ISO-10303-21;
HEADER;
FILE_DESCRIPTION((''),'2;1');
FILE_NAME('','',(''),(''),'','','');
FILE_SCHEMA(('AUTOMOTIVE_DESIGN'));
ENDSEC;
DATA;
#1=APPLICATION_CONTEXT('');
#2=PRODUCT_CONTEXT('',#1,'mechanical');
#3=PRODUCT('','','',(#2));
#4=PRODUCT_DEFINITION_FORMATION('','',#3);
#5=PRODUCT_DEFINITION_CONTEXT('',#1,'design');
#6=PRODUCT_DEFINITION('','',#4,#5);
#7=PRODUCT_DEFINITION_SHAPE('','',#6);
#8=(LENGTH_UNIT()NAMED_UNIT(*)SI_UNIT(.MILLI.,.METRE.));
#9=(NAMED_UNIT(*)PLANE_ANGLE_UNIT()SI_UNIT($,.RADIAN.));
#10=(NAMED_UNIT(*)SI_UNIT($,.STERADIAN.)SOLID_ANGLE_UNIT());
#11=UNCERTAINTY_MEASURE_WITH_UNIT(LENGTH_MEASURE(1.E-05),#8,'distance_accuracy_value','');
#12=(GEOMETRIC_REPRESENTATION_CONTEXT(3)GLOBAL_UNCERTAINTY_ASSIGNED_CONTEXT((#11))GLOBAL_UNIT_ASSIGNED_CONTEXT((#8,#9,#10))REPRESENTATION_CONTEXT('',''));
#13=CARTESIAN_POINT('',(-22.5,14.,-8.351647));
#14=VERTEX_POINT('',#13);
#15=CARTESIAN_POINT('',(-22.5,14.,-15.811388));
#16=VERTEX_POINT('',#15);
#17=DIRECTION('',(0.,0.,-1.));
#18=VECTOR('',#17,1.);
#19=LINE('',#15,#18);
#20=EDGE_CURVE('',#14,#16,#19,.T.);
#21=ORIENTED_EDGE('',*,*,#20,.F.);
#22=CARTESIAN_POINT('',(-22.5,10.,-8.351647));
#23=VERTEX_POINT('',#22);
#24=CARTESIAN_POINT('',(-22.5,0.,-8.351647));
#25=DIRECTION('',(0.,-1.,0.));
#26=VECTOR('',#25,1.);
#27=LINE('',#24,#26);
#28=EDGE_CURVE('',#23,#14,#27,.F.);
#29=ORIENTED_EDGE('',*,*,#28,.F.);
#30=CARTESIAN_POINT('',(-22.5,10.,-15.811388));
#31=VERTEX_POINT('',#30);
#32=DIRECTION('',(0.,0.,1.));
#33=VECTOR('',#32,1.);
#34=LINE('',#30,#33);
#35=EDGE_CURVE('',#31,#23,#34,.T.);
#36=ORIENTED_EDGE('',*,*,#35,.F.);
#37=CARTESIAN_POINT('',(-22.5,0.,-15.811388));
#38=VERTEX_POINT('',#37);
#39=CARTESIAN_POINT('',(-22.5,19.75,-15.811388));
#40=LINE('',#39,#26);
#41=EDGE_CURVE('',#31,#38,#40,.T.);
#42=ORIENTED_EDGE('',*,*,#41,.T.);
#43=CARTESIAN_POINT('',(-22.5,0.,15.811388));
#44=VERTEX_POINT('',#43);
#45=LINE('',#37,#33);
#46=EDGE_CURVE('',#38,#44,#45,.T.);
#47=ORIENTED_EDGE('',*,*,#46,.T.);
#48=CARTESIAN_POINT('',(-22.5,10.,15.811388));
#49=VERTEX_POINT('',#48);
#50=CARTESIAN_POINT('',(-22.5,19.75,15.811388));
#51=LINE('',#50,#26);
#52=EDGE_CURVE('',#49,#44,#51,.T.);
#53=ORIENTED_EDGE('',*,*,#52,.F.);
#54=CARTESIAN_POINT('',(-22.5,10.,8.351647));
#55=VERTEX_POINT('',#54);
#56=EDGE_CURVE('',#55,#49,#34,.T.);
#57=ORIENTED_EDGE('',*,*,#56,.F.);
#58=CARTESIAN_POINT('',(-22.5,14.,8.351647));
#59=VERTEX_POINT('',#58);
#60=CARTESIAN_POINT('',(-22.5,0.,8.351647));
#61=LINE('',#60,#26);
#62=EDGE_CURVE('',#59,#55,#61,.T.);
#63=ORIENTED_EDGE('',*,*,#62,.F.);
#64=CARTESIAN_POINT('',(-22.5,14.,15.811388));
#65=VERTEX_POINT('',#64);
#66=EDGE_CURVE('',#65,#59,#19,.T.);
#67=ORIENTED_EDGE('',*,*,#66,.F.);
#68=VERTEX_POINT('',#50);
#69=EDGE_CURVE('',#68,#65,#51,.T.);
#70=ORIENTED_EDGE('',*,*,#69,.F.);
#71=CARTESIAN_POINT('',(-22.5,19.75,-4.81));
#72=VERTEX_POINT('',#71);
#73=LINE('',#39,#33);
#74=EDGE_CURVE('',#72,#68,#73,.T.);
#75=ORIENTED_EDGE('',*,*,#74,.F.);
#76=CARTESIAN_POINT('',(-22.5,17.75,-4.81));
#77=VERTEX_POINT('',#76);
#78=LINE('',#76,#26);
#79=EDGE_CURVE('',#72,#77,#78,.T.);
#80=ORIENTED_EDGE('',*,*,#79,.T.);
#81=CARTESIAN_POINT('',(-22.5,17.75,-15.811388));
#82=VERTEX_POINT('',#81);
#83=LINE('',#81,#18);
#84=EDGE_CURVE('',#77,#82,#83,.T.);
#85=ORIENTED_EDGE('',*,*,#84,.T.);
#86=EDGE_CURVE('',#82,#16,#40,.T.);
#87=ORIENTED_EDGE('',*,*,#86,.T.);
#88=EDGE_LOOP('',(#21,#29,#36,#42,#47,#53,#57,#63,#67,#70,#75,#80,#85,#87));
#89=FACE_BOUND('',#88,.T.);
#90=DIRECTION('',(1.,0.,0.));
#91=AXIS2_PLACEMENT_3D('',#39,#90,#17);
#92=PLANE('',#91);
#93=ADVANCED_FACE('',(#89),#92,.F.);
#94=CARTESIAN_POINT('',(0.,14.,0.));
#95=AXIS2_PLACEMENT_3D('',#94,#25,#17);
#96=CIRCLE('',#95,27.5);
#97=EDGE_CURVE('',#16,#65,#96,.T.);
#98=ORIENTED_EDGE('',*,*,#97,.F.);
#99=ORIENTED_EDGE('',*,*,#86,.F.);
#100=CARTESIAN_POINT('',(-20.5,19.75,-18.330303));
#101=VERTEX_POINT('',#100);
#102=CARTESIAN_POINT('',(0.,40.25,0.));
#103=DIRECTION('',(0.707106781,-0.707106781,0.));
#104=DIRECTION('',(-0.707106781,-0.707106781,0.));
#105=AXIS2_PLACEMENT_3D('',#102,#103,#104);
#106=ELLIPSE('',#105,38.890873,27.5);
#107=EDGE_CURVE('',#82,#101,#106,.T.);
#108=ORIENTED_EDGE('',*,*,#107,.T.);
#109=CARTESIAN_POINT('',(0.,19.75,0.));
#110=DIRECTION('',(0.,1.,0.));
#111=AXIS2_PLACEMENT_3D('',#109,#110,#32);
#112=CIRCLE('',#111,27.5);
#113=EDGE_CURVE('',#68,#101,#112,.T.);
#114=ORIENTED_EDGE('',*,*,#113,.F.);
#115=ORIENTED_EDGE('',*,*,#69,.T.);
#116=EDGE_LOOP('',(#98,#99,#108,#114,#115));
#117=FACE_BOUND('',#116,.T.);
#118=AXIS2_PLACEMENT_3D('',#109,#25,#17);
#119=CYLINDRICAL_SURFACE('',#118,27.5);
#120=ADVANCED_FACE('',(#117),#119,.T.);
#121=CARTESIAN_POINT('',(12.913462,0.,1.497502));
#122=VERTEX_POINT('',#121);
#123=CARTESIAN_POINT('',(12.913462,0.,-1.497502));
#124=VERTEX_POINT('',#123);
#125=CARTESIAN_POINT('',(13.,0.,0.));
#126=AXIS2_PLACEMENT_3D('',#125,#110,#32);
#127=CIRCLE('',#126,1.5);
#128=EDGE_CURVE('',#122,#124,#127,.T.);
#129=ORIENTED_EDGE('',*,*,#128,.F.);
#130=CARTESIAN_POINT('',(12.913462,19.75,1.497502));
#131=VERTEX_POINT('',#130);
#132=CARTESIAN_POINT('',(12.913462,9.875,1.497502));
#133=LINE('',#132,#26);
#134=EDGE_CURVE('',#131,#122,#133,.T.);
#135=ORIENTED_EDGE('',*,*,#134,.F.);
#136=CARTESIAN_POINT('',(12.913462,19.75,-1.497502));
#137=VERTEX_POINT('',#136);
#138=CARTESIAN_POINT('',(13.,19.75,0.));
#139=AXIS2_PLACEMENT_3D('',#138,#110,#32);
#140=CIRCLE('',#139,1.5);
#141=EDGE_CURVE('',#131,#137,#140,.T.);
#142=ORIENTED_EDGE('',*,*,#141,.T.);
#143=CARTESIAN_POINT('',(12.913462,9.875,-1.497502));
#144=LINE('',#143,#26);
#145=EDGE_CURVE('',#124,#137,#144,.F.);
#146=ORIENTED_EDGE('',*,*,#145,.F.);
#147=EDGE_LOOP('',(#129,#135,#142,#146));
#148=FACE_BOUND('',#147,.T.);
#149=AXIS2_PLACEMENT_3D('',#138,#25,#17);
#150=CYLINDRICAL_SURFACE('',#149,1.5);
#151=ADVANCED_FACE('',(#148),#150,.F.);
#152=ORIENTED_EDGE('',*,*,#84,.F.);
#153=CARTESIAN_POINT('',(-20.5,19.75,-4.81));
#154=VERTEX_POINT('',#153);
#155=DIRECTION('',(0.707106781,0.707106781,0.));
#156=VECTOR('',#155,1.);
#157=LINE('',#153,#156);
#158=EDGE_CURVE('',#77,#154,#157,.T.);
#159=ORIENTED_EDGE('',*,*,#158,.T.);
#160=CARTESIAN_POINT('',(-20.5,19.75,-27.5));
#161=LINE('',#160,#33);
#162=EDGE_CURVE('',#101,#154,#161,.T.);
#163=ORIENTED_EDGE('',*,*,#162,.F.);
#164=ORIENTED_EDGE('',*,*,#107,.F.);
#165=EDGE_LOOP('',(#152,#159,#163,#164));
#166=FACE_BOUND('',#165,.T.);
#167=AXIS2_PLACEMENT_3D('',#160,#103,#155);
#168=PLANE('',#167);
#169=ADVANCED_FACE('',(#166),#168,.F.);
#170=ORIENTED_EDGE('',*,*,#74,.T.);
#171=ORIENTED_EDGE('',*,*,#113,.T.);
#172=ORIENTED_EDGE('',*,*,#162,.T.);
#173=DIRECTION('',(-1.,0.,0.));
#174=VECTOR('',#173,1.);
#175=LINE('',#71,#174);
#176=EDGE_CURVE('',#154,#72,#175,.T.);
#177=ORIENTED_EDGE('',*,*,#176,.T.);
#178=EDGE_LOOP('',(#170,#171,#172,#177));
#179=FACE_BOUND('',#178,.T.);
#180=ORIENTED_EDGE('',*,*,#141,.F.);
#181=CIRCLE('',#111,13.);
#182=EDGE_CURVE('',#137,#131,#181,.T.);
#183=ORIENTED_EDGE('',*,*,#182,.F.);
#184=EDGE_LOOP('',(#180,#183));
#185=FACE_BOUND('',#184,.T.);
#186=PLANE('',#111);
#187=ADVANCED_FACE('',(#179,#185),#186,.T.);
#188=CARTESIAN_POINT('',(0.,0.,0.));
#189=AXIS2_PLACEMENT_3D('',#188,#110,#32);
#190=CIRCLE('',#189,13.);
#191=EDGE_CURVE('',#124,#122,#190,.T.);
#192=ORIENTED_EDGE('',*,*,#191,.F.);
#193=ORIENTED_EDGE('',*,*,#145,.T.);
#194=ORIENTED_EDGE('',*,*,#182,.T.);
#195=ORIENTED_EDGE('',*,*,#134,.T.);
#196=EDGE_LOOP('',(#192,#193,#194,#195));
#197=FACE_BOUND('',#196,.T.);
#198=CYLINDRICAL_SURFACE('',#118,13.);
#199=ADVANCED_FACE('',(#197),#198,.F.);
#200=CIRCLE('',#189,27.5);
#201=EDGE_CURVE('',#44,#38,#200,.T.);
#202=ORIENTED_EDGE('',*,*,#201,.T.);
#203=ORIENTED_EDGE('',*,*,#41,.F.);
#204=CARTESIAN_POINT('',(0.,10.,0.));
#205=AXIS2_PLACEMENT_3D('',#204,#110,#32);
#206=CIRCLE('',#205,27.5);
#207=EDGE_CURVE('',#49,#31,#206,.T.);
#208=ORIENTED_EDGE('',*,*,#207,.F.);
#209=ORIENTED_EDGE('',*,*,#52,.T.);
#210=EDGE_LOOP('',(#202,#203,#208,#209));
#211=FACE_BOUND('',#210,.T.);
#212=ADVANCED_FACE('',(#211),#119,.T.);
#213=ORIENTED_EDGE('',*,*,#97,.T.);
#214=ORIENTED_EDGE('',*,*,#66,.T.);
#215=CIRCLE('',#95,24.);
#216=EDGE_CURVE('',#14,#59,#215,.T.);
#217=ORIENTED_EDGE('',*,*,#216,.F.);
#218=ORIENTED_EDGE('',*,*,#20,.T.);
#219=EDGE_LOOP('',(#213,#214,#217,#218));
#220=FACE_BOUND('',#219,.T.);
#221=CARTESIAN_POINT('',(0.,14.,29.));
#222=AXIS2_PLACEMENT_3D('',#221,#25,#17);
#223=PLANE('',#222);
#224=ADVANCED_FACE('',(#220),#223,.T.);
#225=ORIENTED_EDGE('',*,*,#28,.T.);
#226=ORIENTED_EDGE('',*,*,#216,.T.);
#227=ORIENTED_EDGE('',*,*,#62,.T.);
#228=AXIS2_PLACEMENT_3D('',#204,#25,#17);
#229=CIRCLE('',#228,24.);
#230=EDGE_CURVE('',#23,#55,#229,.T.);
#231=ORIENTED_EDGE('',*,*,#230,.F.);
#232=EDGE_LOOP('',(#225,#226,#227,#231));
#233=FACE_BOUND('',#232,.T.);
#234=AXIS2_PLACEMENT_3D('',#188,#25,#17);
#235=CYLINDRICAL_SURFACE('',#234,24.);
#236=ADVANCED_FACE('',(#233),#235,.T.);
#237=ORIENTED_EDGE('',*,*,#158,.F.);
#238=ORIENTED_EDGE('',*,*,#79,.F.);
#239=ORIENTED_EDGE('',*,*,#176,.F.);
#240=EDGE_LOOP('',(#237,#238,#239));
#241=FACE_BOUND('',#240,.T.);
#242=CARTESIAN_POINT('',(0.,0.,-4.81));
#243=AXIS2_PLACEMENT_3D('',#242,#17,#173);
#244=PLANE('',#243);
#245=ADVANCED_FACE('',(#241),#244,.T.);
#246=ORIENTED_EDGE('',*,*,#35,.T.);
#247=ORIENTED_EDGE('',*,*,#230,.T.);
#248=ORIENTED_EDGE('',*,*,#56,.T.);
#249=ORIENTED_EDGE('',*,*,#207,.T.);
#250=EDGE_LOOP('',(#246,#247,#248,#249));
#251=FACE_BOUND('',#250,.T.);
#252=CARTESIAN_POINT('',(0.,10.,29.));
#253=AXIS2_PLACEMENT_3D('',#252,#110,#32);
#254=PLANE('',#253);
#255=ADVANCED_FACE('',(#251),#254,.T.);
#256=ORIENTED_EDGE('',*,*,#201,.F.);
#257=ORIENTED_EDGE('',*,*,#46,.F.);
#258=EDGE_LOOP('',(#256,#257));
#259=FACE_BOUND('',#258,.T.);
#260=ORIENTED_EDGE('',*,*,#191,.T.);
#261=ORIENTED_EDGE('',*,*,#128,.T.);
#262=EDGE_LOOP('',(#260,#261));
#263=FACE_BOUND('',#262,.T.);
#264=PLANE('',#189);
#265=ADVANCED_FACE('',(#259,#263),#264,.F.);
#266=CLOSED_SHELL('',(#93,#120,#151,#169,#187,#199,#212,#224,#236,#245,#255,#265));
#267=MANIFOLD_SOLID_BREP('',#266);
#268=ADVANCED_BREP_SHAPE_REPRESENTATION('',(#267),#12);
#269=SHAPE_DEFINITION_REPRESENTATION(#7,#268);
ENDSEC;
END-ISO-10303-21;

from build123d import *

# Parameters (mm, degrees)
EXTRUDE_1_DEPTH     = 19.75
SKETCH_2_R          = 13
CUT_EXTRUDE_2_DEPTH = 20.75
SKETCH_3_W          = 5
SKETCH_3_H          = 4
SKETCH_4_R          = 1.5
CUT_EXTRUDE_3_DEPTH = 20.75
CUT_EXTRUDE_4_DEPTH = 23.69


with BuildPart() as part:
    # Эскиз1 → Бобышка-Вытянуть1 (new body)
    with BuildSketch(Plane(origin=(0, 0, 0), x_dir=(1, 0, 0), z_dir=(0, 1, 0))):
        with BuildLine():
            Line((-22.5, 15.811388301), (-22.5, -15.811388301))
            ThreePointArc((-22.5, -15.811388301), (27.5, 0), (-22.5, 15.811388301))
        make_face()
    extrude(amount=EXTRUDE_1_DEPTH)

    # Эскиз2 → Вырез-Вытянуть2 (cut, through all)
    with BuildSketch(Plane(origin=(0, 0, 0), x_dir=(1, 0, 0), z_dir=(0, 1, 0))):
        Circle(SKETCH_2_R)
    extrude(amount=CUT_EXTRUDE_2_DEPTH, mode=Mode.SUBTRACT)

    # Эскиз3 → Вырез-Повернуть1 (revolve, cut)
    with BuildSketch(Plane(origin=(0, 0, 0), x_dir=(0, 0, -1), z_dir=(1, 0, 0))):
        with Locations((-26.5, 12)):
            Rectangle(SKETCH_3_W, SKETCH_3_H)
    revolve(axis=Axis((0, 0, 0), (0, 1, 0)), mode=Mode.SUBTRACT)

    # Эскиз4 → Вырез-Вытянуть3 (cut, through all)
    with BuildSketch(Plane(origin=(0, 0, 0), x_dir=(1, 0, 0), z_dir=(0, 1, 0))):
        with Locations((13, 0)):
            Circle(SKETCH_4_R)
    extrude(amount=CUT_EXTRUDE_3_DEPTH, mode=Mode.SUBTRACT)

    # Эскиз5 → Вырез-Вытянуть4 (cut, through all)
    with BuildSketch(Plane.XY.offset(-4.81)):
        Polygon((-22.5, 19.75), (-20.5, 19.75), (-22.5, 17.75), align=None)
    extrude(amount=-CUT_EXTRUDE_4_DEPTH, mode=Mode.SUBTRACT)


solid = part.part
